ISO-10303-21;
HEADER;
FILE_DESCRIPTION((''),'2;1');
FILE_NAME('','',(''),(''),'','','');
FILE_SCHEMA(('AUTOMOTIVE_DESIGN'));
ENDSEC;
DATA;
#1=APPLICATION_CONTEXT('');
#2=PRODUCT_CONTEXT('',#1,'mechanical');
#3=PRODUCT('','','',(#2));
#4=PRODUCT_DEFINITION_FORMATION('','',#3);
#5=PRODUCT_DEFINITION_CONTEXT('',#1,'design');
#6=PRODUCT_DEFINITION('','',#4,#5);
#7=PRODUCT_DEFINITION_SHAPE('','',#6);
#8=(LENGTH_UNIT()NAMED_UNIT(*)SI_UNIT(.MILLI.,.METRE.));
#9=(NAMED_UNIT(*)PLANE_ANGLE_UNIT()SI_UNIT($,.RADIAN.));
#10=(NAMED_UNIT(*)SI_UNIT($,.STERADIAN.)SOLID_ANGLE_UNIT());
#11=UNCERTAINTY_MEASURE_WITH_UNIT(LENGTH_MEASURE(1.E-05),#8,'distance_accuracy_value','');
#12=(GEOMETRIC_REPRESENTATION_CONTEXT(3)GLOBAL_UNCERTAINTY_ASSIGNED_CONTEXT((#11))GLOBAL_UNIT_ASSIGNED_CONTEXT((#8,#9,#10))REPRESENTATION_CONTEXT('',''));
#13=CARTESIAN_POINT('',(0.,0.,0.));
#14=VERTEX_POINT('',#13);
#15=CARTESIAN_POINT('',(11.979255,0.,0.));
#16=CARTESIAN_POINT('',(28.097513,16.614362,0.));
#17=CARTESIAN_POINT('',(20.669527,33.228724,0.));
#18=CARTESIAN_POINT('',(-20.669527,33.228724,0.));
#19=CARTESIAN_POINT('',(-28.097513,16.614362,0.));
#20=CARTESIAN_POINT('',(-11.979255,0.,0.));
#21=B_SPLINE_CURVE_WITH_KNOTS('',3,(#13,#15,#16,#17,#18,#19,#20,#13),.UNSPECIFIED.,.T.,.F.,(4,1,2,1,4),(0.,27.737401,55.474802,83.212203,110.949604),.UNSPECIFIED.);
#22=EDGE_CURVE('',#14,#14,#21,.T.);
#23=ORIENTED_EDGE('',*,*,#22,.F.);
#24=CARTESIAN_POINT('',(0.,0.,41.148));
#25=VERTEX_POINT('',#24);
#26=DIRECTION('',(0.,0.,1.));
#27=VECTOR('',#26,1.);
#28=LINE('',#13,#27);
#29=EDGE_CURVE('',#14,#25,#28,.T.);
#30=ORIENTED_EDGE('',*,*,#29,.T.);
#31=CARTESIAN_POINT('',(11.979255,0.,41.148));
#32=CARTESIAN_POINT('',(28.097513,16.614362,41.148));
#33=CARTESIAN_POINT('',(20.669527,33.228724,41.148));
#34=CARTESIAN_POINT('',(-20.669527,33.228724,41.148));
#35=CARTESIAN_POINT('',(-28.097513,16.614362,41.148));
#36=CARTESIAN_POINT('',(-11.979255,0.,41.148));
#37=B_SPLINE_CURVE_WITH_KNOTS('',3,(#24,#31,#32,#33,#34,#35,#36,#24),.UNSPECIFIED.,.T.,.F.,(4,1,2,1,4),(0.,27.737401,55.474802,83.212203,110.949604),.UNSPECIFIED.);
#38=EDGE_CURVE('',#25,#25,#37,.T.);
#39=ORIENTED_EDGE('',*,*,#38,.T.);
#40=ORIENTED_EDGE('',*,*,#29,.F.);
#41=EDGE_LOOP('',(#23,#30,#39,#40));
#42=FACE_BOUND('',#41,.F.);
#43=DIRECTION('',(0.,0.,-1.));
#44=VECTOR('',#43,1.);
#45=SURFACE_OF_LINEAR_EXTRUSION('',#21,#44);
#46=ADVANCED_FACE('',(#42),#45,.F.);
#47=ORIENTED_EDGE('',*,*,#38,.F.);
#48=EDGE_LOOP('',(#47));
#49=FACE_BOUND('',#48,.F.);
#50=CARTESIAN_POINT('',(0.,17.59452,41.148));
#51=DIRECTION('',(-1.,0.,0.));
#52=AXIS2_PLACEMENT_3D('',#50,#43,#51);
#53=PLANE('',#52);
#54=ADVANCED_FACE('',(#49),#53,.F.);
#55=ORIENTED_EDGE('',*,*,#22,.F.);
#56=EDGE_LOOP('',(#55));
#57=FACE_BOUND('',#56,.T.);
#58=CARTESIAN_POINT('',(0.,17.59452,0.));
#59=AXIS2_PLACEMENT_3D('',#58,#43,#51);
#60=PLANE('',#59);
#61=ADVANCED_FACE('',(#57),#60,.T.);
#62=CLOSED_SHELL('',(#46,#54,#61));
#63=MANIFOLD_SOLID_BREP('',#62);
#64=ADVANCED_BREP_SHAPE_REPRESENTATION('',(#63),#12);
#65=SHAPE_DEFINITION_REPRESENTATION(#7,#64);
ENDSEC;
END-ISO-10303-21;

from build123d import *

# Parameters (mm, degrees)
F1_DEPTH = 41.148


with BuildPart() as f1:
    # F0 (on Top) → F1 (new body)
    with BuildSketch(Plane.XY):
        with BuildLine():
            add(Edge.make_bspline(
                [(0, 0), (-11.979255, 0), (-28.097513, 16.614362), (-20.669527, 33.228724), (0, 33.228724)],
                knots=[0, 0, 0, 0, 27.737401, 55.474802, 55.474802, 55.474802, 55.474802], degree=3))
            add(Edge.make_bspline(
                [(0, 0), (11.979255, 0), (28.097513, 16.614362), (20.669527, 33.228724), (0, 33.228724)],
                knots=[0, 0, 0, 0, 27.737401, 55.474802, 55.474802, 55.474802, 55.474802], degree=3))
        make_face()
    extrude(amount=F1_DEPTH)


solid = f1.part
